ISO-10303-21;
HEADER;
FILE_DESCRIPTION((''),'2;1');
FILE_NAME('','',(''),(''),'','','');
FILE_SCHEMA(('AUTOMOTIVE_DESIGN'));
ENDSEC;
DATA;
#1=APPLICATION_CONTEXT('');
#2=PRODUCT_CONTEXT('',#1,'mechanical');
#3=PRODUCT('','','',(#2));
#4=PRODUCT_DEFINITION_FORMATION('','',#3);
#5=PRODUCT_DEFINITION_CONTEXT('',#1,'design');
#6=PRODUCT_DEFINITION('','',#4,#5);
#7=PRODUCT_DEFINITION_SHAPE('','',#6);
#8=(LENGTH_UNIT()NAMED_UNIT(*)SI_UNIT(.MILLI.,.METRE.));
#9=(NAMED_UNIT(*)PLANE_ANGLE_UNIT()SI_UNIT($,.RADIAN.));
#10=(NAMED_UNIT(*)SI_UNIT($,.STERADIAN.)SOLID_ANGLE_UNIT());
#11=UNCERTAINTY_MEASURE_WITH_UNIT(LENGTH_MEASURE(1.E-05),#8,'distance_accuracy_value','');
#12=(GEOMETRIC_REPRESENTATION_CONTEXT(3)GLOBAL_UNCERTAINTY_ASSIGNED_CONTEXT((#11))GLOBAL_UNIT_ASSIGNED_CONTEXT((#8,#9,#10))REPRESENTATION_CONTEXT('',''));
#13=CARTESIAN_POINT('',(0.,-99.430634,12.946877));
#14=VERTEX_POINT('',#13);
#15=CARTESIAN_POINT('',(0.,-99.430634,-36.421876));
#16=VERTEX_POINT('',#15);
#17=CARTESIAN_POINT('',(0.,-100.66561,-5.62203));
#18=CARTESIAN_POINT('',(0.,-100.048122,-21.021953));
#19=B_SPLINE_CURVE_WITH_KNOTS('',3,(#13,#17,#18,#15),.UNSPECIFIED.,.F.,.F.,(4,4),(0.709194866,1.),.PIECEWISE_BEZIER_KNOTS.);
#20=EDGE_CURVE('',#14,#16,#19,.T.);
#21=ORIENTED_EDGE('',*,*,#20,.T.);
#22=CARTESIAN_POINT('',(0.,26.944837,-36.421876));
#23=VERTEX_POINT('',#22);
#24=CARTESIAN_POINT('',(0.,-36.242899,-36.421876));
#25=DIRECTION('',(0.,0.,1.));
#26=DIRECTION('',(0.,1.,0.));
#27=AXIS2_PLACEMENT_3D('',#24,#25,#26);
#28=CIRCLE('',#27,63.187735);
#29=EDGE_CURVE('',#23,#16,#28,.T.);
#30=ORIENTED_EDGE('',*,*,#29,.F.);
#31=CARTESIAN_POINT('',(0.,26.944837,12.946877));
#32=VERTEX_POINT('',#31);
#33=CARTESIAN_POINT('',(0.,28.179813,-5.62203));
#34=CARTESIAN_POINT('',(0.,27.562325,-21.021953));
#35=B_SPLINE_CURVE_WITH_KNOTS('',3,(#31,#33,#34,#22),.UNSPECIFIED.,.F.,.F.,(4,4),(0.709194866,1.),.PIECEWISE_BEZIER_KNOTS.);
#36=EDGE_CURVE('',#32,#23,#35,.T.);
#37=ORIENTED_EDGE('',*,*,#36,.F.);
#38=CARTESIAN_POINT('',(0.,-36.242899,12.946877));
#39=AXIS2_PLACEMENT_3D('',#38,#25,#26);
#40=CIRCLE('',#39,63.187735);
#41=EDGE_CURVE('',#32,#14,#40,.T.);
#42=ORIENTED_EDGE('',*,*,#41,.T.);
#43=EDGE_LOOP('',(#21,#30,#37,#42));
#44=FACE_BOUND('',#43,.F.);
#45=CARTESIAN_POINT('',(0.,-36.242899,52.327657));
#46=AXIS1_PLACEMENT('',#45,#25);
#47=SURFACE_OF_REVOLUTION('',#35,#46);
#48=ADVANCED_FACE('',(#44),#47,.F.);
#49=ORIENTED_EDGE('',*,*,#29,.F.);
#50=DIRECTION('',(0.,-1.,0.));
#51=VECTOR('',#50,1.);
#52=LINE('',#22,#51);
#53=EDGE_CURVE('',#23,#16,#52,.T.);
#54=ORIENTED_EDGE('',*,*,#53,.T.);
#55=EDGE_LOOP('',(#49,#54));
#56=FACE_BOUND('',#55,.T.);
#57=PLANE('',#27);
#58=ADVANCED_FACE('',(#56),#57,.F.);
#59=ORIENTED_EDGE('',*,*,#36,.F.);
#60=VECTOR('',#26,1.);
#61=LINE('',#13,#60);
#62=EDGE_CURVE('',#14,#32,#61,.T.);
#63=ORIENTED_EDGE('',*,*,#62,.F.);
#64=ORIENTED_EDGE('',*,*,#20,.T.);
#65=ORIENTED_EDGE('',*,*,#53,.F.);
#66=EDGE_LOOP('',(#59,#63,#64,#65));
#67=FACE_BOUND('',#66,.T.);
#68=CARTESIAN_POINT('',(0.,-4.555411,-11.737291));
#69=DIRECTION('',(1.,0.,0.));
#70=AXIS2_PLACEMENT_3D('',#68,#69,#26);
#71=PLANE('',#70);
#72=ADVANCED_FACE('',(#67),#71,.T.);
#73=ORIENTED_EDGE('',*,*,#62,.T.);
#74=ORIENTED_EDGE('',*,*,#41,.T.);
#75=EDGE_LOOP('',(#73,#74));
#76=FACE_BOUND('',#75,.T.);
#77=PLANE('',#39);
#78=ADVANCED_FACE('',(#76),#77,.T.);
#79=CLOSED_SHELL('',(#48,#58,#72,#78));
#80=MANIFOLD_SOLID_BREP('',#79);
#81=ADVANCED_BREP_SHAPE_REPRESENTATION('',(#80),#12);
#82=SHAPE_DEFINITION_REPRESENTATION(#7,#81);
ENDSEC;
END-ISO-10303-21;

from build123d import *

# Parameters (mm, degrees)
F1_ANGLE = 180


with BuildPart() as f1:
    # F0 (on Right) → F1 (revolve)
    with BuildSketch(Plane.YZ):
        with BuildLine():
            Line((-36.2428985536, 12.9468766972), (-36.2428985536, -36.4218764007))
            Line((-36.2428985536, -36.4218764007), (26.9448366016, -36.4218764007))
            add(Edge.make_bspline(
                [(26.9448366016, 12.9468766972), (28.1798127517, -5.6220302993), (27.5623246767, -21.02195335), (26.9448366016, -36.4218764007)],
                knots=[0.7091948663, 0.7091948663, 0.7091948663, 0.7091948663, 1, 1, 1, 1], degree=3))
            Line((26.9448366016, 12.9468766972), (-36.2428985536, 12.9468766972))
        make_face()
    revolve(axis=Axis((0, -36.2428985536, 52.3276571184), (0, 0, 1)), revolution_arc=F1_ANGLE)


solid = f1.part
